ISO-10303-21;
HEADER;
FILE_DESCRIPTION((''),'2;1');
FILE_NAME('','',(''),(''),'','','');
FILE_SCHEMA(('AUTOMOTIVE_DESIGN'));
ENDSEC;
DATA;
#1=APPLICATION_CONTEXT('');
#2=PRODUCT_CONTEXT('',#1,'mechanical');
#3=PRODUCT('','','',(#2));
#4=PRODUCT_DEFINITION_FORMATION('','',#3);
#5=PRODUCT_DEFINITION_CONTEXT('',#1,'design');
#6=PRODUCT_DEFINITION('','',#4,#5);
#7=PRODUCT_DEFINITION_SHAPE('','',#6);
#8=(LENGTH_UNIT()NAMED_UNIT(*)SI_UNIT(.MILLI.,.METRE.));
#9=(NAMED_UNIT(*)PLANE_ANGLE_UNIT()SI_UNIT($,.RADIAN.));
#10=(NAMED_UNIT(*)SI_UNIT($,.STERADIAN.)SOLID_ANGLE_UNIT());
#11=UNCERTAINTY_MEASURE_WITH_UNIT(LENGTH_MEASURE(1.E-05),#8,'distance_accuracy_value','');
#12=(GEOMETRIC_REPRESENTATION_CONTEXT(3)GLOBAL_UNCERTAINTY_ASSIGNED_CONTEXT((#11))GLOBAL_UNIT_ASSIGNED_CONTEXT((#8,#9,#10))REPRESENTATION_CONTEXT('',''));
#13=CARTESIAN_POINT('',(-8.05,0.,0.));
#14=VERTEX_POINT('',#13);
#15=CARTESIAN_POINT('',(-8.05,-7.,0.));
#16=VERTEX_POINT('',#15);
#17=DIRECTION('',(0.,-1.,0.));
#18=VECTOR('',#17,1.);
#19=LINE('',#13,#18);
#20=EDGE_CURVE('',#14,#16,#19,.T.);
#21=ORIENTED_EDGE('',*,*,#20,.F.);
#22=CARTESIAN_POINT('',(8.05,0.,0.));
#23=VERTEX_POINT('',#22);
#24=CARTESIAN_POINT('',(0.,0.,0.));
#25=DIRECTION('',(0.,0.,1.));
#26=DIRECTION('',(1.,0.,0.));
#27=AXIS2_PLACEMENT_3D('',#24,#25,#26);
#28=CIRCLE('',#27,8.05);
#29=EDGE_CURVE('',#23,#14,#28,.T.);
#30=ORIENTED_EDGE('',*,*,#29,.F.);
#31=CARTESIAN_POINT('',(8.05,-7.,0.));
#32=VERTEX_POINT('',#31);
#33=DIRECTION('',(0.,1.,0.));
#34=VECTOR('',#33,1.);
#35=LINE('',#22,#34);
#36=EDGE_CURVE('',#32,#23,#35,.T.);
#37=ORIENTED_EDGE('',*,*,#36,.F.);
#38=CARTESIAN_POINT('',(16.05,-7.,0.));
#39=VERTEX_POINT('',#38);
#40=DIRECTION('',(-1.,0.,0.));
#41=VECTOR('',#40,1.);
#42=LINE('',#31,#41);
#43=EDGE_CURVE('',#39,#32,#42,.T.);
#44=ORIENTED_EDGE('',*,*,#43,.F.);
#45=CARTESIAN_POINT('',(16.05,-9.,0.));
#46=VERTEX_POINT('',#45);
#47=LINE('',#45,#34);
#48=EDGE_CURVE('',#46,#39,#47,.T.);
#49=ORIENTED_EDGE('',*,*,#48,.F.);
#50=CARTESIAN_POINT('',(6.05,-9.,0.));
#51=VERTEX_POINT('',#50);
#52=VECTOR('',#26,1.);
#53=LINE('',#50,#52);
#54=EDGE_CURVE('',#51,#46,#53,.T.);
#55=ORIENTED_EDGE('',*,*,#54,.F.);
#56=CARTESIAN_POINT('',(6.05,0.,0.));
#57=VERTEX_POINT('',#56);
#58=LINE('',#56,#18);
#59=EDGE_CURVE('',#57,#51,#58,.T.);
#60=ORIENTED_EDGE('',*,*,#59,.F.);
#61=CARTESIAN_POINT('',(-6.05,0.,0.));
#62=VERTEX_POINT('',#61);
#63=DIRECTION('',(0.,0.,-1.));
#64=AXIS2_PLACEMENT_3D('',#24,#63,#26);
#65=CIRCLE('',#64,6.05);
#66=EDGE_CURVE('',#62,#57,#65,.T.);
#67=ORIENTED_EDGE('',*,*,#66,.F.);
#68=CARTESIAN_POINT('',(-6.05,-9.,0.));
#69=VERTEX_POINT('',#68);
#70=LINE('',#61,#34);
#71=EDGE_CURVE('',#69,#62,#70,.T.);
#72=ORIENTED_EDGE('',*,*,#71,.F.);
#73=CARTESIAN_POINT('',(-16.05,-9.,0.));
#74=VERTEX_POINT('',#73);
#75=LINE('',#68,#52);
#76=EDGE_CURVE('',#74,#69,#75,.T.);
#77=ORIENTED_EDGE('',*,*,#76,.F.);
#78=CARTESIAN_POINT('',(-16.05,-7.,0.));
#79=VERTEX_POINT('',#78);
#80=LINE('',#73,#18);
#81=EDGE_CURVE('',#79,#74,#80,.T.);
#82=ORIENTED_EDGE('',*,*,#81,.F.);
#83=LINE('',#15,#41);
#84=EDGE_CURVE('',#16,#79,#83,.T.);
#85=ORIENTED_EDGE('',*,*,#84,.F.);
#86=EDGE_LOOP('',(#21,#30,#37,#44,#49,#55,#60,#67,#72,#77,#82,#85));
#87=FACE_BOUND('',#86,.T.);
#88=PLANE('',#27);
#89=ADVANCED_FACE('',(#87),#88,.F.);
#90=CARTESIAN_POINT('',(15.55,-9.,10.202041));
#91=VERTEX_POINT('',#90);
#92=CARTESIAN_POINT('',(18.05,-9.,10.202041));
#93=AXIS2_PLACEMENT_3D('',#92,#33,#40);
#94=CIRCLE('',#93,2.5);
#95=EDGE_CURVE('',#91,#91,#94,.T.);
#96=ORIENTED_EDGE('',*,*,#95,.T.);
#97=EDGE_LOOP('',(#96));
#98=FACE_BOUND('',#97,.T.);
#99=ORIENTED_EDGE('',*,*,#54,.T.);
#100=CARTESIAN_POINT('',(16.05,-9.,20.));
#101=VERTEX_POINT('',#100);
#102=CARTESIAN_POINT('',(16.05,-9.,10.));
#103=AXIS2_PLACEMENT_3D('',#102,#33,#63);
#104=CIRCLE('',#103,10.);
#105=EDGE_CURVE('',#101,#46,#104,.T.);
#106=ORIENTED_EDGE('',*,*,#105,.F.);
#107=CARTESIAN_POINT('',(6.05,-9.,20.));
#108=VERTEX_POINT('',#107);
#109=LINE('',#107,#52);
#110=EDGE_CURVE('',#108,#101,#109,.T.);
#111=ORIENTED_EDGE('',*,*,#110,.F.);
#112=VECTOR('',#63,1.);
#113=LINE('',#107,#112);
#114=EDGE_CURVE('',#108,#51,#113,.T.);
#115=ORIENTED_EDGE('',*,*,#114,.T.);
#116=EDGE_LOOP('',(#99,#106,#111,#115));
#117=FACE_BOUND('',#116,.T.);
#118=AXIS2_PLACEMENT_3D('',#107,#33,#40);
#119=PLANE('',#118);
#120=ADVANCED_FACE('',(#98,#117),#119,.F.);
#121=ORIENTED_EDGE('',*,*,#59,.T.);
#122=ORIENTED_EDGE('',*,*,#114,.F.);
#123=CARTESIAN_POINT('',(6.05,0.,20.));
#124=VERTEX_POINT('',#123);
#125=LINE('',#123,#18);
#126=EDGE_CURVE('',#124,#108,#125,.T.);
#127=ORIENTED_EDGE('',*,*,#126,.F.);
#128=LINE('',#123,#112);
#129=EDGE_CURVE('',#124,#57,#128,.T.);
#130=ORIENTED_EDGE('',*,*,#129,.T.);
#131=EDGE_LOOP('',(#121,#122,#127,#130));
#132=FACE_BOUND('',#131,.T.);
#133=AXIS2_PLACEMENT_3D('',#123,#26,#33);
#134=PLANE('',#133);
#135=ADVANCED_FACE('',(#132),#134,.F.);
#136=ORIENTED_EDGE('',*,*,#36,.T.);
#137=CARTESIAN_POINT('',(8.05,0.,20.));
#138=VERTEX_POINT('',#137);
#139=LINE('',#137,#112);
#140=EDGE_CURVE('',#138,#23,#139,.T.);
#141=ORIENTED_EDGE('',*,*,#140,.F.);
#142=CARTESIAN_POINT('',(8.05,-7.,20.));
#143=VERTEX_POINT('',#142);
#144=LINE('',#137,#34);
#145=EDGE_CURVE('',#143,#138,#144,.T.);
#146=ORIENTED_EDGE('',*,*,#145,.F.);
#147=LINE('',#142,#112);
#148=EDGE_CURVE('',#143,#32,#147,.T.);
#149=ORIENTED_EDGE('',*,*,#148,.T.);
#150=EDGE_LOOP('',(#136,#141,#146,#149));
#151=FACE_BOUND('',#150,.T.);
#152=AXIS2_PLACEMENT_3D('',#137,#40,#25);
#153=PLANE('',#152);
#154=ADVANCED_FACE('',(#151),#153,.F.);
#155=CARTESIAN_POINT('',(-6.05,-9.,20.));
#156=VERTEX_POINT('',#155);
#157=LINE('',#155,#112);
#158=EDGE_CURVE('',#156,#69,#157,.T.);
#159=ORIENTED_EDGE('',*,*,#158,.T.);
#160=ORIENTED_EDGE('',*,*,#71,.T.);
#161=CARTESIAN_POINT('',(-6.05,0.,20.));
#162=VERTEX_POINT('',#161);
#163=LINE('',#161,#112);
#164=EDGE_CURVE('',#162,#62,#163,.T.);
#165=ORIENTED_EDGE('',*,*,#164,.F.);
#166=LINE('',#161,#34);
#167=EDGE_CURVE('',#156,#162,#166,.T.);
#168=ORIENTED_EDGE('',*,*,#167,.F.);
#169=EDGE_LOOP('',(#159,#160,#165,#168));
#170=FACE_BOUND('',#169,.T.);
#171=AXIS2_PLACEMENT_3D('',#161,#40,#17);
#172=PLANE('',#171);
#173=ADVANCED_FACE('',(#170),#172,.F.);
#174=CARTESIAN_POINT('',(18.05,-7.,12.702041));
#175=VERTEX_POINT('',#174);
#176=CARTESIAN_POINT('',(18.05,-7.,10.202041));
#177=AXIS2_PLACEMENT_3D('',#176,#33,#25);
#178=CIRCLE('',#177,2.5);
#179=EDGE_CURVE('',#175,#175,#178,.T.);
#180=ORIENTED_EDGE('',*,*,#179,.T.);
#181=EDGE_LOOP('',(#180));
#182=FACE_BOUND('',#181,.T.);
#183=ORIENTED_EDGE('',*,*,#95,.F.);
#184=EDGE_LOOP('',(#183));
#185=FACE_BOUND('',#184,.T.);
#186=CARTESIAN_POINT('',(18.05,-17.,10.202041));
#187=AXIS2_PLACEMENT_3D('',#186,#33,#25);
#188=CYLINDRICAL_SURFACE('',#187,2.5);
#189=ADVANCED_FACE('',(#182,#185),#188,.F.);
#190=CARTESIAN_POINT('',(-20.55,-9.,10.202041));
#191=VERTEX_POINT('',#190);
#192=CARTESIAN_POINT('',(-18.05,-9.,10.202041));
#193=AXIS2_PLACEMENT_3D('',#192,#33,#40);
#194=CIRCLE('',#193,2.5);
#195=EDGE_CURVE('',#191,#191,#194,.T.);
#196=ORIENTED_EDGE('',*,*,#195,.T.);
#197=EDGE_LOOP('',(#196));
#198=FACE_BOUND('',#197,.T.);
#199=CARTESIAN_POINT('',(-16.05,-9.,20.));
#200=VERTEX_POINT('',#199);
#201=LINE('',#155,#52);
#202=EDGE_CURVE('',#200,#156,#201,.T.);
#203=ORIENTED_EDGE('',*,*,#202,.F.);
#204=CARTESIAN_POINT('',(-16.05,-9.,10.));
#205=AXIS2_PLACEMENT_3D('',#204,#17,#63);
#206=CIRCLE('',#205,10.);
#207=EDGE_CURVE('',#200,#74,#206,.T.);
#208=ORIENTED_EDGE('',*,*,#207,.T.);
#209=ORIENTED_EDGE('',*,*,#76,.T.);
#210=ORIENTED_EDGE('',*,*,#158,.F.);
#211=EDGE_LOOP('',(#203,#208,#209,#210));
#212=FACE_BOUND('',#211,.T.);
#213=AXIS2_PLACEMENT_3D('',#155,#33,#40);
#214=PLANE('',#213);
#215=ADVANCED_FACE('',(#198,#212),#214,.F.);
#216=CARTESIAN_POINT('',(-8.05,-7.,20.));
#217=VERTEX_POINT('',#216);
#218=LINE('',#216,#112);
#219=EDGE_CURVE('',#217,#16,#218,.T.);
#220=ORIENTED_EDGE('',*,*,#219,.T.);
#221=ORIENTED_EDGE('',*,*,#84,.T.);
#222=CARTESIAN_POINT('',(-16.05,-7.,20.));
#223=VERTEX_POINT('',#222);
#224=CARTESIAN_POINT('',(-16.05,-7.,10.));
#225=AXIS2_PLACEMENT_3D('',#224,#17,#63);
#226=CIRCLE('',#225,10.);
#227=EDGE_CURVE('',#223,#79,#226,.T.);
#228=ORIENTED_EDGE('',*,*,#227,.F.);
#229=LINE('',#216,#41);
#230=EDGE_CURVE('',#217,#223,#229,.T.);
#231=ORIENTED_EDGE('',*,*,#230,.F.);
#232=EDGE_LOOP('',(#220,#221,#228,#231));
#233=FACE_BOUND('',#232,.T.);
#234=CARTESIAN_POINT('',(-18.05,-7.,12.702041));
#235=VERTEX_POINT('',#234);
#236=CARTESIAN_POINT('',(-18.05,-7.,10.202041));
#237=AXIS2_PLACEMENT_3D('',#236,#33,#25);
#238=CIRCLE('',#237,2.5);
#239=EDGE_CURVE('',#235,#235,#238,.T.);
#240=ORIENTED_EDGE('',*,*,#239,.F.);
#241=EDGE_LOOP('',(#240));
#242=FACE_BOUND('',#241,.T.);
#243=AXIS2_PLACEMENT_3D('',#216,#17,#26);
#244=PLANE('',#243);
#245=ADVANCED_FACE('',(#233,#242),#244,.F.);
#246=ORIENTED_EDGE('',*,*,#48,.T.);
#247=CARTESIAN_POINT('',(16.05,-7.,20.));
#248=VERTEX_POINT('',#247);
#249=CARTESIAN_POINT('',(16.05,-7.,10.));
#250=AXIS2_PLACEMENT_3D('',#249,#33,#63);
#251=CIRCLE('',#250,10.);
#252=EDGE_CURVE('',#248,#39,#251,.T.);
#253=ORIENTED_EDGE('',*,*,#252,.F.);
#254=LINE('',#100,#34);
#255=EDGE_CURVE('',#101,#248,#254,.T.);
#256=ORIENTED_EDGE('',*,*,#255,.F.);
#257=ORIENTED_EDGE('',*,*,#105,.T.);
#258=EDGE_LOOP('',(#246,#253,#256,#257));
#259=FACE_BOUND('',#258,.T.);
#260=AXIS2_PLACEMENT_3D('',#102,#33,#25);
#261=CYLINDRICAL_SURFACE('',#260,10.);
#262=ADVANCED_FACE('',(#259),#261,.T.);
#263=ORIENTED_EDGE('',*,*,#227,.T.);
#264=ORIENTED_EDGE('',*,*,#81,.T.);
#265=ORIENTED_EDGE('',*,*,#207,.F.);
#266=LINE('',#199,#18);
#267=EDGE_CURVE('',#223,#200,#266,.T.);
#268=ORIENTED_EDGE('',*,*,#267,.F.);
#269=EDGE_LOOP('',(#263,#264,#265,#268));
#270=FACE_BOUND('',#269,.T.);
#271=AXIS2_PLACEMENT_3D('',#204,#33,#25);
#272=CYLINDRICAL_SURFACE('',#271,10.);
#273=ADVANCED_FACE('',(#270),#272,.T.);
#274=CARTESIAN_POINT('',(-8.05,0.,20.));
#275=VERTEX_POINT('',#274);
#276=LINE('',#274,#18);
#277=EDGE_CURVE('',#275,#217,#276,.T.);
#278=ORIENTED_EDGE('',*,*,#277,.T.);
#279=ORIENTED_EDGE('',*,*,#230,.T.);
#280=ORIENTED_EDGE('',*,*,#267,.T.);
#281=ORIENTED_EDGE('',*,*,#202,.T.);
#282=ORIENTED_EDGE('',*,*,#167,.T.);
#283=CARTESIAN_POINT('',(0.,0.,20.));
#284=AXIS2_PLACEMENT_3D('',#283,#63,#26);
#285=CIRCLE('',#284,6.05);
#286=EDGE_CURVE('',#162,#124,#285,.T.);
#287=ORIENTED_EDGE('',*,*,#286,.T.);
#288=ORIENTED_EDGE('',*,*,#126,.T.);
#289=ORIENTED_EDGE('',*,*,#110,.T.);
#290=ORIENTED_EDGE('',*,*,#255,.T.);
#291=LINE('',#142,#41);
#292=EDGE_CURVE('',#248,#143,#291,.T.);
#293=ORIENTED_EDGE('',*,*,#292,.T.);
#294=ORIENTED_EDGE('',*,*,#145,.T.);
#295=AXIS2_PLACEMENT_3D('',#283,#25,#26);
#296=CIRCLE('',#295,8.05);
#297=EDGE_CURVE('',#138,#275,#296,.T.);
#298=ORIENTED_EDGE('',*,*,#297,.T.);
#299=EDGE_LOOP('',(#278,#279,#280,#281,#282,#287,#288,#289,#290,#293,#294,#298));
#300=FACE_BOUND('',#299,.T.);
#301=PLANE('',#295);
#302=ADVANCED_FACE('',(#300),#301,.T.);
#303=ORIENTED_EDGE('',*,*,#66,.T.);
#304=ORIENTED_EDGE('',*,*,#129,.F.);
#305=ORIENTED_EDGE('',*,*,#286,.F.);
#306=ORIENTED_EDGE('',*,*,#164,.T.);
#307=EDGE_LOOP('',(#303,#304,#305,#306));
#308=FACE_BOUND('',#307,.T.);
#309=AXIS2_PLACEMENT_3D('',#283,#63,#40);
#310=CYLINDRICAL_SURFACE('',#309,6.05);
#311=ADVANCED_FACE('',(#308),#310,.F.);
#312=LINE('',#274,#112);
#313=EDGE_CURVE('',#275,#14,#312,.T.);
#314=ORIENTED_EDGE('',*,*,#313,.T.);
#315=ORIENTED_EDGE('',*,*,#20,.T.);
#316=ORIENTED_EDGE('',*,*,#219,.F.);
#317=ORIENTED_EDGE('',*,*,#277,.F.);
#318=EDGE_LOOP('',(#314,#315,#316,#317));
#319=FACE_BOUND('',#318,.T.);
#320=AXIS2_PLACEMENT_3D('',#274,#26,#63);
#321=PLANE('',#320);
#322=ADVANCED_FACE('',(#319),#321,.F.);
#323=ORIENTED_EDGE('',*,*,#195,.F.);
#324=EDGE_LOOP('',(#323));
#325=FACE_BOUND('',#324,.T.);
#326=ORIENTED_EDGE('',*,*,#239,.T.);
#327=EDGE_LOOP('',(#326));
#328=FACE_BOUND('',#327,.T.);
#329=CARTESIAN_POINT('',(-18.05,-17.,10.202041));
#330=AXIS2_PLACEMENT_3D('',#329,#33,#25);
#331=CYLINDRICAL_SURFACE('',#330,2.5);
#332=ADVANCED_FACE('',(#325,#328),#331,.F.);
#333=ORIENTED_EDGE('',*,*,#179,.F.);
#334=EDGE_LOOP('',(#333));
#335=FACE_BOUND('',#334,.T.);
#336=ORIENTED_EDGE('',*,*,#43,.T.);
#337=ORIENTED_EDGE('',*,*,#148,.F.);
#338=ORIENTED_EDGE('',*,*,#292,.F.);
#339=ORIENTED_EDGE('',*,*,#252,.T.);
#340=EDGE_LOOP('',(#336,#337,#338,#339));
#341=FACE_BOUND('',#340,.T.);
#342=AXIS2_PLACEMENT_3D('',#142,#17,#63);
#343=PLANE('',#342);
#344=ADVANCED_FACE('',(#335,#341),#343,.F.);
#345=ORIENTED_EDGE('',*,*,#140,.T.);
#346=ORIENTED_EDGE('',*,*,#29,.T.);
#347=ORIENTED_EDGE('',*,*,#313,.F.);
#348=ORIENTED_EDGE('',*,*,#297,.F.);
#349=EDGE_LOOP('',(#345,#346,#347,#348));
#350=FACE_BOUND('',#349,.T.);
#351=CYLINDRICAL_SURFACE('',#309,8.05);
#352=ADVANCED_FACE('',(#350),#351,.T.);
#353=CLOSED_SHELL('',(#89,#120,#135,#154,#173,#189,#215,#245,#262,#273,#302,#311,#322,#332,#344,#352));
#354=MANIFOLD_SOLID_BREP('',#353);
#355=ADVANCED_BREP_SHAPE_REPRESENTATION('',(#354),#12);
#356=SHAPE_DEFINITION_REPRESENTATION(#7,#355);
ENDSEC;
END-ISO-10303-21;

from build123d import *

# Parameters (mm, degrees)
Y_KSEKLIK_EKSTR_ZYON1_DEPTH = 20
Y_KSEKLIK_EKSTR_ZYON2_DEPTH = 2
IZIM3_R                     = 2.5
KES_EKSTR_ZYON1_DEPTH       = 10


with BuildPart() as part:
    # Çizim1 → Yükseklik-Ekstrüzyon1 (new body)
    with BuildSketch(Plane.XY):
        with BuildLine():
            Line((-6.05, 0), (-6.05, -9))
            Line((-6.05, -9), (-16.05, -9))
            Line((-16.05, -9), (-16.05, -7))
            Line((-16.05, -7), (-8.05, -7))
            Line((-8.05, -7), (-8.05, 0))
            ThreePointArc((-8.05, 0), (0, 8.05), (8.05, 0))
            Line((8.05, 0), (8.05, -7))
            Line((8.05, -7), (16.05, -7))
            Line((16.05, -7), (16.05, -9))
            Line((16.05, -9), (6.05, -9))
            Line((6.05, -9), (6.05, 0))
            ThreePointArc((6.05, 0), (0, 6.05), (-6.05, 0))
        make_face()
    extrude(amount=Y_KSEKLIK_EKSTR_ZYON1_DEPTH)

    # Çizim2 → Yükseklik-Ekstrüzyon2 (add)
    with BuildSketch(Plane(origin=(0, -7, 0), x_dir=(1, 0, 0), z_dir=(0, 1, 0))):
        with BuildLine():
            Line((16.05, 0), (16.05, -20))
            ThreePointArc((16.05, -20), (26.05, -10), (16.05, 0))
        make_face()
    y_kseklik_ekstr_zyon2 = extrude(amount=-Y_KSEKLIK_EKSTR_ZYON2_DEPTH)

    # Aynalama1: Yükseklik-Ekstrüzyon2 across plane
    add(y_kseklik_ekstr_zyon2.mirror(Plane(origin=(0, 0, 0), x_dir=(0, 0, 1), z_dir=(1, 0, 0))))

    # Çizim3 → Kes-Ekstrüzyon1 (cut)
    with BuildSketch(Plane(origin=(0, -7, 0), x_dir=(1, 0, 0), z_dir=(0, 1, 0))):
        with Locations(Location((18.05, -10.202041029, 0), (0, 0, 270))):
            Circle(IZIM3_R)
        with Locations(Location((-18.05, -10.202041029, 0), (0, 0, 270))):
            Circle(IZIM3_R)
    extrude(amount=-KES_EKSTR_ZYON1_DEPTH, mode=Mode.SUBTRACT)


solid = part.part
